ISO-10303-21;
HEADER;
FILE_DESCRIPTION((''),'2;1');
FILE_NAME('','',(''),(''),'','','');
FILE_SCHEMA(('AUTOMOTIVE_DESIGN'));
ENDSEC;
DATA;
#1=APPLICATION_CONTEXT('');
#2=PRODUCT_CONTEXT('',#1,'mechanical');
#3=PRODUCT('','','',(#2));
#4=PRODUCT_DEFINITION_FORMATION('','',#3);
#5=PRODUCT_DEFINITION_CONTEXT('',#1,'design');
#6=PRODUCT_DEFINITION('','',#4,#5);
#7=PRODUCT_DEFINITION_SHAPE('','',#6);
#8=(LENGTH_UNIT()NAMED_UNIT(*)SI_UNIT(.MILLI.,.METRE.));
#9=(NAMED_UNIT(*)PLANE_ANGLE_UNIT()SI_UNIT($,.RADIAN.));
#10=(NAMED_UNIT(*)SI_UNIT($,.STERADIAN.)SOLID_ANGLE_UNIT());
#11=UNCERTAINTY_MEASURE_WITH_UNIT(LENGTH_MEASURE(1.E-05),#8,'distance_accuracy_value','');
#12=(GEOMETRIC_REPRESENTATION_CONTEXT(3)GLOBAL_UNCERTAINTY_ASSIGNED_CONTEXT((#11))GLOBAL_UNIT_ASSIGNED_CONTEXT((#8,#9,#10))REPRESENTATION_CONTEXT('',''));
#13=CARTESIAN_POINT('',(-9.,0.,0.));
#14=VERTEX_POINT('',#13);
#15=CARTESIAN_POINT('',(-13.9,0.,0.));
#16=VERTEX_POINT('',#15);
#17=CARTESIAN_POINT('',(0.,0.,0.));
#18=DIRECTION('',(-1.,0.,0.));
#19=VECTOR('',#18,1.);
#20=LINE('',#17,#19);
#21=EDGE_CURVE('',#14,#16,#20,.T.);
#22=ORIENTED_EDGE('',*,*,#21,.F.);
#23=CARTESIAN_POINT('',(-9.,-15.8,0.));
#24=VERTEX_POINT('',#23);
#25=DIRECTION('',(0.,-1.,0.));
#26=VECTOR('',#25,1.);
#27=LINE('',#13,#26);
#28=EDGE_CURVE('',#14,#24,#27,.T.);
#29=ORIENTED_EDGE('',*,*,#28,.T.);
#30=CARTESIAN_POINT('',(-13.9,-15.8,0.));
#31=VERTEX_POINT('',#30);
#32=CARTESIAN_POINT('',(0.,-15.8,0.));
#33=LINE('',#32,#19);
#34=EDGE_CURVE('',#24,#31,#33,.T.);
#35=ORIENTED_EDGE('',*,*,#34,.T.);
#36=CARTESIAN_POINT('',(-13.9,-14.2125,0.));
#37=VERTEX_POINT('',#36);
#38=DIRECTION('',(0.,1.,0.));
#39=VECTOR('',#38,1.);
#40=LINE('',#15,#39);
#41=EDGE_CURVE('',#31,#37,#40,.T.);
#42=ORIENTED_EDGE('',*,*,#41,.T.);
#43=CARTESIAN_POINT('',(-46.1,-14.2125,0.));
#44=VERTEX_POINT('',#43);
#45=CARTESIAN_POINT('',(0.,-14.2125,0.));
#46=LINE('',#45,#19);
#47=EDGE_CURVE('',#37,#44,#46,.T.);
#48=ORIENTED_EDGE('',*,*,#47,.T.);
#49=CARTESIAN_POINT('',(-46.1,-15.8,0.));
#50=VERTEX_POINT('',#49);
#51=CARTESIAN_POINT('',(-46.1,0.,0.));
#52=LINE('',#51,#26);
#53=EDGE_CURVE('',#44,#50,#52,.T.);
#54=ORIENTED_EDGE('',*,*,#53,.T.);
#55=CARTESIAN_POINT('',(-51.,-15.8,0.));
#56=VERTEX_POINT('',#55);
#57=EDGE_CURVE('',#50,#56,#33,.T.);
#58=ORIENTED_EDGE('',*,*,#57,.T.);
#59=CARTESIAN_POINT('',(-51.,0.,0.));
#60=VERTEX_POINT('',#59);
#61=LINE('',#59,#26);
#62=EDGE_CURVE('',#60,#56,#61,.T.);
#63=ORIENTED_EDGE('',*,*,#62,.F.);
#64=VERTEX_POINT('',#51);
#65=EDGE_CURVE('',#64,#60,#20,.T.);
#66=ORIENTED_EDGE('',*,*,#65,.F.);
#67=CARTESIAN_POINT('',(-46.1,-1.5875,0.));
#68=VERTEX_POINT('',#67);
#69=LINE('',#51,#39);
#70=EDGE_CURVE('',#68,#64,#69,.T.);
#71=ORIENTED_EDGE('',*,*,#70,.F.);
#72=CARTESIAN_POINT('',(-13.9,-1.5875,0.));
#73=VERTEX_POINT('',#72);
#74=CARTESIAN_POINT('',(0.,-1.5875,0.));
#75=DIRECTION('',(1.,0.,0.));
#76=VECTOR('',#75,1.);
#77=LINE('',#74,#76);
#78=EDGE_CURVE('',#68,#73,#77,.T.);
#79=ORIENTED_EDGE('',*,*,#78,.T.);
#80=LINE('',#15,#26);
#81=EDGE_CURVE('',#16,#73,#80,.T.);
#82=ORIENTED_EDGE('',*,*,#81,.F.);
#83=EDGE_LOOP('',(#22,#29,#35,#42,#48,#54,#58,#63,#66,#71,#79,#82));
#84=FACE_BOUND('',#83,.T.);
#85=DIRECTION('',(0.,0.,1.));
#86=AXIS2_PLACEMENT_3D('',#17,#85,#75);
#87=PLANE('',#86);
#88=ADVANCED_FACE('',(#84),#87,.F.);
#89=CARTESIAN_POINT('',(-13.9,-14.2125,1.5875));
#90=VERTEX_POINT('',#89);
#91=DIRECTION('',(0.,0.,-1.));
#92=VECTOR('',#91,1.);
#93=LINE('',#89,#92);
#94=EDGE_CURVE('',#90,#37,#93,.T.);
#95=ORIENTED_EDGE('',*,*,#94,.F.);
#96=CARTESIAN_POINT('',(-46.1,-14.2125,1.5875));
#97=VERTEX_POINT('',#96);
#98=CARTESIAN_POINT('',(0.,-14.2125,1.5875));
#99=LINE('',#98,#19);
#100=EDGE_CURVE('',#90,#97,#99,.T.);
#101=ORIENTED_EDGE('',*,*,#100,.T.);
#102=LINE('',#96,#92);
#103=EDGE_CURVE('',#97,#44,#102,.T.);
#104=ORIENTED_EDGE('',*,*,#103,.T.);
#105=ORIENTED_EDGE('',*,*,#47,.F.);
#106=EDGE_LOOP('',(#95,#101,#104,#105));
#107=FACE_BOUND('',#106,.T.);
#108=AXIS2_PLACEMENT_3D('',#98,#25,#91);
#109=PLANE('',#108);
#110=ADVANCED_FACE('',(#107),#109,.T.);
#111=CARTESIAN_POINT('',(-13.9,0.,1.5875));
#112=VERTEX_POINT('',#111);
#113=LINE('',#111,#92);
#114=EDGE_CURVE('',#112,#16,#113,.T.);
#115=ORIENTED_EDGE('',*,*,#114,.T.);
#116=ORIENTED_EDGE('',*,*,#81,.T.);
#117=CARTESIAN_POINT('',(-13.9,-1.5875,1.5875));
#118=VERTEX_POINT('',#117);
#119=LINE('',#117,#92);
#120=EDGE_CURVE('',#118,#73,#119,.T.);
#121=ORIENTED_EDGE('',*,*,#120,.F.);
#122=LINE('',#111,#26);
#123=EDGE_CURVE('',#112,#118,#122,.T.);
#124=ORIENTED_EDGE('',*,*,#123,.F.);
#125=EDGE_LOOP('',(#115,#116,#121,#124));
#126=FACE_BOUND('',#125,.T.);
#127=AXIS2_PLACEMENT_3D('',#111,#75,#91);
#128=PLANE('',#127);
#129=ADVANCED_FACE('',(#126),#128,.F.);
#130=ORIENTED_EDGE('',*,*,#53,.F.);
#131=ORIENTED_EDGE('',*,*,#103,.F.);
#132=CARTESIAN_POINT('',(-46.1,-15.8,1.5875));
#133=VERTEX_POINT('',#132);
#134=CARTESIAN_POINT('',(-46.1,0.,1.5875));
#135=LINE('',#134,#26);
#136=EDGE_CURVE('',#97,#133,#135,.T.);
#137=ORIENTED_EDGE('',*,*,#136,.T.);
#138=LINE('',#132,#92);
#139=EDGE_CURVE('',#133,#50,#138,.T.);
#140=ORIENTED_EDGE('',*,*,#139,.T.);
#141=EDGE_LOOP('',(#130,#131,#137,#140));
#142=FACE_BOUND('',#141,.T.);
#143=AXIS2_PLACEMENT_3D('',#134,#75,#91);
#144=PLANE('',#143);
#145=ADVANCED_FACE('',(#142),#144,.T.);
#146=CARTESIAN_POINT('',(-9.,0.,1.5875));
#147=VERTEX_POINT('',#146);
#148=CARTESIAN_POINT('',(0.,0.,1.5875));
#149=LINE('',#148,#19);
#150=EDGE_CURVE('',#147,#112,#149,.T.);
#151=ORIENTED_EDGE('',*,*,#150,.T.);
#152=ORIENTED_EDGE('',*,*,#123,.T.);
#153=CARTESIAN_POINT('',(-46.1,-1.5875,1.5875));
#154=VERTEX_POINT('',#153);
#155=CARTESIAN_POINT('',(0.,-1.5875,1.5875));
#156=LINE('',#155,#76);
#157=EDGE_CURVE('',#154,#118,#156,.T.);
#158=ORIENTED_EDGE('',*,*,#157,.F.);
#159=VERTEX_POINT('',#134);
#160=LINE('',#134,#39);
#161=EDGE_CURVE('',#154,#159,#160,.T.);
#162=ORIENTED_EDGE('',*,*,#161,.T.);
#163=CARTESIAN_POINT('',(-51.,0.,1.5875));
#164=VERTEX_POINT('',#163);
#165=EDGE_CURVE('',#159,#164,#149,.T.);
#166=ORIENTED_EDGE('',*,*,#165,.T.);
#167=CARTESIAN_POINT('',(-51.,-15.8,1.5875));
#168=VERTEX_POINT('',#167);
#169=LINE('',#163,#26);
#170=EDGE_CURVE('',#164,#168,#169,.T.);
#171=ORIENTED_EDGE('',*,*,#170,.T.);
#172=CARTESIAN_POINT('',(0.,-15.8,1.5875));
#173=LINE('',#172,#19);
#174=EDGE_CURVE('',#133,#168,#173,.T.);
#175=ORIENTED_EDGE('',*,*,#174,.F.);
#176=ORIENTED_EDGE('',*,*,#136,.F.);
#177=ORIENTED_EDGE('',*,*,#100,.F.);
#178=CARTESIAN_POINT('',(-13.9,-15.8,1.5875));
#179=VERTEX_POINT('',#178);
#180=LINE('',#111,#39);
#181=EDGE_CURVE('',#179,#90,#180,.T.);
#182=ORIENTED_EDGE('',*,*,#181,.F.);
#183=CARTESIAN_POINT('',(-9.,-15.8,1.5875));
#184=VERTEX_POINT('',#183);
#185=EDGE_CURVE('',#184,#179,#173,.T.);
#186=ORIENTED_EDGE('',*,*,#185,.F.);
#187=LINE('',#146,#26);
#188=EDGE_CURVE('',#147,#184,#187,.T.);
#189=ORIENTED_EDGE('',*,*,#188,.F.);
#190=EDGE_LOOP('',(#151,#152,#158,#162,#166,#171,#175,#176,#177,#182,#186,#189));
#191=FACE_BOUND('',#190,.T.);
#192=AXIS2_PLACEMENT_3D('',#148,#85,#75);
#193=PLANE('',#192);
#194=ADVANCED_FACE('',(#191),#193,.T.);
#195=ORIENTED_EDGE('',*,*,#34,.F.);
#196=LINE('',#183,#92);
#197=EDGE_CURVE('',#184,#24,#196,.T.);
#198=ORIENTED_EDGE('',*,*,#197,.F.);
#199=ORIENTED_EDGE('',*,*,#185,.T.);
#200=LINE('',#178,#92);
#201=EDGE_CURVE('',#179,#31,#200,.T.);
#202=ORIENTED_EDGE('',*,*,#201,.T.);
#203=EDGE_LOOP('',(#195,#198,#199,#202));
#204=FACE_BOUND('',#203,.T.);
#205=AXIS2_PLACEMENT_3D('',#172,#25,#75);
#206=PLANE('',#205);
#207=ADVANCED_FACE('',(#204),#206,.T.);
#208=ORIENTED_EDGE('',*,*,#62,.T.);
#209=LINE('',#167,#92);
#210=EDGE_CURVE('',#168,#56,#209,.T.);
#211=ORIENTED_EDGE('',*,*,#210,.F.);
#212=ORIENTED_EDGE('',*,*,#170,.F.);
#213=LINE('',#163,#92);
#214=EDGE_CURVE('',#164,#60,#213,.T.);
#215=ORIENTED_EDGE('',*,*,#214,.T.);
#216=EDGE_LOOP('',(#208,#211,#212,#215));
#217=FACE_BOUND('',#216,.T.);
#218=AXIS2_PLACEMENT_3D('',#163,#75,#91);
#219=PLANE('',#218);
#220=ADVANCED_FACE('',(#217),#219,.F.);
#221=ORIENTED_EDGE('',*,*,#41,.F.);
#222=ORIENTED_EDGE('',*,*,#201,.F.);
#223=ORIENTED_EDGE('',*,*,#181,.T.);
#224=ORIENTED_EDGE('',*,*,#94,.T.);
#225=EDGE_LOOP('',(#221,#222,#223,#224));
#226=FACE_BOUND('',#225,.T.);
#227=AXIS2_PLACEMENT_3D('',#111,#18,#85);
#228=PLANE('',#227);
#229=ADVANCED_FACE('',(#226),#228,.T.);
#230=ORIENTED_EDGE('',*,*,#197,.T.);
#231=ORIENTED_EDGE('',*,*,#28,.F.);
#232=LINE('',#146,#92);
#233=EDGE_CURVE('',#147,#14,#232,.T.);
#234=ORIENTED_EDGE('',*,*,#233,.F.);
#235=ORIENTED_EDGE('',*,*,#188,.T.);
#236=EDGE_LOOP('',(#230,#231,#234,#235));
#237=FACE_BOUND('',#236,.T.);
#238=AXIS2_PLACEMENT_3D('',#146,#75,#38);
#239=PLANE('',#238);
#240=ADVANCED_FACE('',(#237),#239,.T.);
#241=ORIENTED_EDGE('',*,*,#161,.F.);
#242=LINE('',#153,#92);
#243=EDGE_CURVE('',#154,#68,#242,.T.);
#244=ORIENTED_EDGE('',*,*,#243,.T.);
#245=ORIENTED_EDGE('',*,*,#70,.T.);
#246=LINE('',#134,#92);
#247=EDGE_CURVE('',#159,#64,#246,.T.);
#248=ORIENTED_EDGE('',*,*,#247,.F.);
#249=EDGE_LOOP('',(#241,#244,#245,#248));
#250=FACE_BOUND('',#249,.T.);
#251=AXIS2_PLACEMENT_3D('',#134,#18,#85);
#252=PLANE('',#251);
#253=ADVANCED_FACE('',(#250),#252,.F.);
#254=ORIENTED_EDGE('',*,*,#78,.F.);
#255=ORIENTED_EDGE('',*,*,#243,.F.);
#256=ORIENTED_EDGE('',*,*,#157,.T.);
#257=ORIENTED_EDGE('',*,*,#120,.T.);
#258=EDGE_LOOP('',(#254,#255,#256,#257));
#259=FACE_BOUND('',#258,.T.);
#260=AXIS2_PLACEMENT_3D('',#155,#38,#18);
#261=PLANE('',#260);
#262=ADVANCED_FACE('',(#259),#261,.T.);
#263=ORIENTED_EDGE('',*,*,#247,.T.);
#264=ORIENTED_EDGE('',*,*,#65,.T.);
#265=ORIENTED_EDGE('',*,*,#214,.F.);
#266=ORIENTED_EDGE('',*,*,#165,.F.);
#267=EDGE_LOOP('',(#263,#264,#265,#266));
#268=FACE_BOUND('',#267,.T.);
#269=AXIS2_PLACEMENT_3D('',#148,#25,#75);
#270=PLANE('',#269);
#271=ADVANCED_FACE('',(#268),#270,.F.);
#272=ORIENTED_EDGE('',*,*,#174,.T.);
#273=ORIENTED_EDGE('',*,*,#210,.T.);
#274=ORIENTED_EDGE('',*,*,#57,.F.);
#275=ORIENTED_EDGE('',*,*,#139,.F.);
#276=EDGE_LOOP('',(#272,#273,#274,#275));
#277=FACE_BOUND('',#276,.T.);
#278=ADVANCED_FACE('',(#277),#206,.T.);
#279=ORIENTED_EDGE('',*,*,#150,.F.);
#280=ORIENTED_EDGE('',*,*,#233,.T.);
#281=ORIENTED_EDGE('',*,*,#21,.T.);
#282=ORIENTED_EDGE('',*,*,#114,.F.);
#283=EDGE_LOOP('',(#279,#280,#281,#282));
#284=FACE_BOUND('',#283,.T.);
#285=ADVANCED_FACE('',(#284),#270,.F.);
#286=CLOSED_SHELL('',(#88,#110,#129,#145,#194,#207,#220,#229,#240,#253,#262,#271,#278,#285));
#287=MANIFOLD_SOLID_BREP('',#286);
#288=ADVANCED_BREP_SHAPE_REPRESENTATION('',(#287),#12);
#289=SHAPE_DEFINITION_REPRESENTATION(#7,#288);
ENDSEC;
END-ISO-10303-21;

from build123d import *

# Parameters (mm, degrees)
SKETCH2_W           = 4.9
SKETCH2_H           = 1.5875
BOSS_EXTRUDE1_DEPTH = 1.5875


with BuildPart() as part:
    # Sketch2 → Boss-Extrude1 (new body)
    with BuildSketch(Plane.XY):
        Polygon((-9, -7.9), (-51, -7.9), (-51, -14.2125), (-46.1, -14.2125), (-13.9, -14.2125), (-9, -14.2125), align=None)
        with Locations((-48.55, -15.00625)):
            Rectangle(SKETCH2_W, SKETCH2_H)
        Polygon((-13.9, -1.5875), (-46.1, -1.5875), (-51, -1.5875), (-51, -7.9), (-9, -7.9), (-9, -1.5875), align=None)
        with Locations((-48.55, -0.79375)):
            Rectangle(SKETCH2_W, SKETCH2_H)
        with Locations((-11.45, -0.79375)):
            Rectangle(SKETCH2_W, SKETCH2_H)
        with Locations((-11.45, -15.00625)):
            Rectangle(SKETCH2_W, SKETCH2_H)
    extrude(amount=BOSS_EXTRUDE1_DEPTH)


solid = part.part
